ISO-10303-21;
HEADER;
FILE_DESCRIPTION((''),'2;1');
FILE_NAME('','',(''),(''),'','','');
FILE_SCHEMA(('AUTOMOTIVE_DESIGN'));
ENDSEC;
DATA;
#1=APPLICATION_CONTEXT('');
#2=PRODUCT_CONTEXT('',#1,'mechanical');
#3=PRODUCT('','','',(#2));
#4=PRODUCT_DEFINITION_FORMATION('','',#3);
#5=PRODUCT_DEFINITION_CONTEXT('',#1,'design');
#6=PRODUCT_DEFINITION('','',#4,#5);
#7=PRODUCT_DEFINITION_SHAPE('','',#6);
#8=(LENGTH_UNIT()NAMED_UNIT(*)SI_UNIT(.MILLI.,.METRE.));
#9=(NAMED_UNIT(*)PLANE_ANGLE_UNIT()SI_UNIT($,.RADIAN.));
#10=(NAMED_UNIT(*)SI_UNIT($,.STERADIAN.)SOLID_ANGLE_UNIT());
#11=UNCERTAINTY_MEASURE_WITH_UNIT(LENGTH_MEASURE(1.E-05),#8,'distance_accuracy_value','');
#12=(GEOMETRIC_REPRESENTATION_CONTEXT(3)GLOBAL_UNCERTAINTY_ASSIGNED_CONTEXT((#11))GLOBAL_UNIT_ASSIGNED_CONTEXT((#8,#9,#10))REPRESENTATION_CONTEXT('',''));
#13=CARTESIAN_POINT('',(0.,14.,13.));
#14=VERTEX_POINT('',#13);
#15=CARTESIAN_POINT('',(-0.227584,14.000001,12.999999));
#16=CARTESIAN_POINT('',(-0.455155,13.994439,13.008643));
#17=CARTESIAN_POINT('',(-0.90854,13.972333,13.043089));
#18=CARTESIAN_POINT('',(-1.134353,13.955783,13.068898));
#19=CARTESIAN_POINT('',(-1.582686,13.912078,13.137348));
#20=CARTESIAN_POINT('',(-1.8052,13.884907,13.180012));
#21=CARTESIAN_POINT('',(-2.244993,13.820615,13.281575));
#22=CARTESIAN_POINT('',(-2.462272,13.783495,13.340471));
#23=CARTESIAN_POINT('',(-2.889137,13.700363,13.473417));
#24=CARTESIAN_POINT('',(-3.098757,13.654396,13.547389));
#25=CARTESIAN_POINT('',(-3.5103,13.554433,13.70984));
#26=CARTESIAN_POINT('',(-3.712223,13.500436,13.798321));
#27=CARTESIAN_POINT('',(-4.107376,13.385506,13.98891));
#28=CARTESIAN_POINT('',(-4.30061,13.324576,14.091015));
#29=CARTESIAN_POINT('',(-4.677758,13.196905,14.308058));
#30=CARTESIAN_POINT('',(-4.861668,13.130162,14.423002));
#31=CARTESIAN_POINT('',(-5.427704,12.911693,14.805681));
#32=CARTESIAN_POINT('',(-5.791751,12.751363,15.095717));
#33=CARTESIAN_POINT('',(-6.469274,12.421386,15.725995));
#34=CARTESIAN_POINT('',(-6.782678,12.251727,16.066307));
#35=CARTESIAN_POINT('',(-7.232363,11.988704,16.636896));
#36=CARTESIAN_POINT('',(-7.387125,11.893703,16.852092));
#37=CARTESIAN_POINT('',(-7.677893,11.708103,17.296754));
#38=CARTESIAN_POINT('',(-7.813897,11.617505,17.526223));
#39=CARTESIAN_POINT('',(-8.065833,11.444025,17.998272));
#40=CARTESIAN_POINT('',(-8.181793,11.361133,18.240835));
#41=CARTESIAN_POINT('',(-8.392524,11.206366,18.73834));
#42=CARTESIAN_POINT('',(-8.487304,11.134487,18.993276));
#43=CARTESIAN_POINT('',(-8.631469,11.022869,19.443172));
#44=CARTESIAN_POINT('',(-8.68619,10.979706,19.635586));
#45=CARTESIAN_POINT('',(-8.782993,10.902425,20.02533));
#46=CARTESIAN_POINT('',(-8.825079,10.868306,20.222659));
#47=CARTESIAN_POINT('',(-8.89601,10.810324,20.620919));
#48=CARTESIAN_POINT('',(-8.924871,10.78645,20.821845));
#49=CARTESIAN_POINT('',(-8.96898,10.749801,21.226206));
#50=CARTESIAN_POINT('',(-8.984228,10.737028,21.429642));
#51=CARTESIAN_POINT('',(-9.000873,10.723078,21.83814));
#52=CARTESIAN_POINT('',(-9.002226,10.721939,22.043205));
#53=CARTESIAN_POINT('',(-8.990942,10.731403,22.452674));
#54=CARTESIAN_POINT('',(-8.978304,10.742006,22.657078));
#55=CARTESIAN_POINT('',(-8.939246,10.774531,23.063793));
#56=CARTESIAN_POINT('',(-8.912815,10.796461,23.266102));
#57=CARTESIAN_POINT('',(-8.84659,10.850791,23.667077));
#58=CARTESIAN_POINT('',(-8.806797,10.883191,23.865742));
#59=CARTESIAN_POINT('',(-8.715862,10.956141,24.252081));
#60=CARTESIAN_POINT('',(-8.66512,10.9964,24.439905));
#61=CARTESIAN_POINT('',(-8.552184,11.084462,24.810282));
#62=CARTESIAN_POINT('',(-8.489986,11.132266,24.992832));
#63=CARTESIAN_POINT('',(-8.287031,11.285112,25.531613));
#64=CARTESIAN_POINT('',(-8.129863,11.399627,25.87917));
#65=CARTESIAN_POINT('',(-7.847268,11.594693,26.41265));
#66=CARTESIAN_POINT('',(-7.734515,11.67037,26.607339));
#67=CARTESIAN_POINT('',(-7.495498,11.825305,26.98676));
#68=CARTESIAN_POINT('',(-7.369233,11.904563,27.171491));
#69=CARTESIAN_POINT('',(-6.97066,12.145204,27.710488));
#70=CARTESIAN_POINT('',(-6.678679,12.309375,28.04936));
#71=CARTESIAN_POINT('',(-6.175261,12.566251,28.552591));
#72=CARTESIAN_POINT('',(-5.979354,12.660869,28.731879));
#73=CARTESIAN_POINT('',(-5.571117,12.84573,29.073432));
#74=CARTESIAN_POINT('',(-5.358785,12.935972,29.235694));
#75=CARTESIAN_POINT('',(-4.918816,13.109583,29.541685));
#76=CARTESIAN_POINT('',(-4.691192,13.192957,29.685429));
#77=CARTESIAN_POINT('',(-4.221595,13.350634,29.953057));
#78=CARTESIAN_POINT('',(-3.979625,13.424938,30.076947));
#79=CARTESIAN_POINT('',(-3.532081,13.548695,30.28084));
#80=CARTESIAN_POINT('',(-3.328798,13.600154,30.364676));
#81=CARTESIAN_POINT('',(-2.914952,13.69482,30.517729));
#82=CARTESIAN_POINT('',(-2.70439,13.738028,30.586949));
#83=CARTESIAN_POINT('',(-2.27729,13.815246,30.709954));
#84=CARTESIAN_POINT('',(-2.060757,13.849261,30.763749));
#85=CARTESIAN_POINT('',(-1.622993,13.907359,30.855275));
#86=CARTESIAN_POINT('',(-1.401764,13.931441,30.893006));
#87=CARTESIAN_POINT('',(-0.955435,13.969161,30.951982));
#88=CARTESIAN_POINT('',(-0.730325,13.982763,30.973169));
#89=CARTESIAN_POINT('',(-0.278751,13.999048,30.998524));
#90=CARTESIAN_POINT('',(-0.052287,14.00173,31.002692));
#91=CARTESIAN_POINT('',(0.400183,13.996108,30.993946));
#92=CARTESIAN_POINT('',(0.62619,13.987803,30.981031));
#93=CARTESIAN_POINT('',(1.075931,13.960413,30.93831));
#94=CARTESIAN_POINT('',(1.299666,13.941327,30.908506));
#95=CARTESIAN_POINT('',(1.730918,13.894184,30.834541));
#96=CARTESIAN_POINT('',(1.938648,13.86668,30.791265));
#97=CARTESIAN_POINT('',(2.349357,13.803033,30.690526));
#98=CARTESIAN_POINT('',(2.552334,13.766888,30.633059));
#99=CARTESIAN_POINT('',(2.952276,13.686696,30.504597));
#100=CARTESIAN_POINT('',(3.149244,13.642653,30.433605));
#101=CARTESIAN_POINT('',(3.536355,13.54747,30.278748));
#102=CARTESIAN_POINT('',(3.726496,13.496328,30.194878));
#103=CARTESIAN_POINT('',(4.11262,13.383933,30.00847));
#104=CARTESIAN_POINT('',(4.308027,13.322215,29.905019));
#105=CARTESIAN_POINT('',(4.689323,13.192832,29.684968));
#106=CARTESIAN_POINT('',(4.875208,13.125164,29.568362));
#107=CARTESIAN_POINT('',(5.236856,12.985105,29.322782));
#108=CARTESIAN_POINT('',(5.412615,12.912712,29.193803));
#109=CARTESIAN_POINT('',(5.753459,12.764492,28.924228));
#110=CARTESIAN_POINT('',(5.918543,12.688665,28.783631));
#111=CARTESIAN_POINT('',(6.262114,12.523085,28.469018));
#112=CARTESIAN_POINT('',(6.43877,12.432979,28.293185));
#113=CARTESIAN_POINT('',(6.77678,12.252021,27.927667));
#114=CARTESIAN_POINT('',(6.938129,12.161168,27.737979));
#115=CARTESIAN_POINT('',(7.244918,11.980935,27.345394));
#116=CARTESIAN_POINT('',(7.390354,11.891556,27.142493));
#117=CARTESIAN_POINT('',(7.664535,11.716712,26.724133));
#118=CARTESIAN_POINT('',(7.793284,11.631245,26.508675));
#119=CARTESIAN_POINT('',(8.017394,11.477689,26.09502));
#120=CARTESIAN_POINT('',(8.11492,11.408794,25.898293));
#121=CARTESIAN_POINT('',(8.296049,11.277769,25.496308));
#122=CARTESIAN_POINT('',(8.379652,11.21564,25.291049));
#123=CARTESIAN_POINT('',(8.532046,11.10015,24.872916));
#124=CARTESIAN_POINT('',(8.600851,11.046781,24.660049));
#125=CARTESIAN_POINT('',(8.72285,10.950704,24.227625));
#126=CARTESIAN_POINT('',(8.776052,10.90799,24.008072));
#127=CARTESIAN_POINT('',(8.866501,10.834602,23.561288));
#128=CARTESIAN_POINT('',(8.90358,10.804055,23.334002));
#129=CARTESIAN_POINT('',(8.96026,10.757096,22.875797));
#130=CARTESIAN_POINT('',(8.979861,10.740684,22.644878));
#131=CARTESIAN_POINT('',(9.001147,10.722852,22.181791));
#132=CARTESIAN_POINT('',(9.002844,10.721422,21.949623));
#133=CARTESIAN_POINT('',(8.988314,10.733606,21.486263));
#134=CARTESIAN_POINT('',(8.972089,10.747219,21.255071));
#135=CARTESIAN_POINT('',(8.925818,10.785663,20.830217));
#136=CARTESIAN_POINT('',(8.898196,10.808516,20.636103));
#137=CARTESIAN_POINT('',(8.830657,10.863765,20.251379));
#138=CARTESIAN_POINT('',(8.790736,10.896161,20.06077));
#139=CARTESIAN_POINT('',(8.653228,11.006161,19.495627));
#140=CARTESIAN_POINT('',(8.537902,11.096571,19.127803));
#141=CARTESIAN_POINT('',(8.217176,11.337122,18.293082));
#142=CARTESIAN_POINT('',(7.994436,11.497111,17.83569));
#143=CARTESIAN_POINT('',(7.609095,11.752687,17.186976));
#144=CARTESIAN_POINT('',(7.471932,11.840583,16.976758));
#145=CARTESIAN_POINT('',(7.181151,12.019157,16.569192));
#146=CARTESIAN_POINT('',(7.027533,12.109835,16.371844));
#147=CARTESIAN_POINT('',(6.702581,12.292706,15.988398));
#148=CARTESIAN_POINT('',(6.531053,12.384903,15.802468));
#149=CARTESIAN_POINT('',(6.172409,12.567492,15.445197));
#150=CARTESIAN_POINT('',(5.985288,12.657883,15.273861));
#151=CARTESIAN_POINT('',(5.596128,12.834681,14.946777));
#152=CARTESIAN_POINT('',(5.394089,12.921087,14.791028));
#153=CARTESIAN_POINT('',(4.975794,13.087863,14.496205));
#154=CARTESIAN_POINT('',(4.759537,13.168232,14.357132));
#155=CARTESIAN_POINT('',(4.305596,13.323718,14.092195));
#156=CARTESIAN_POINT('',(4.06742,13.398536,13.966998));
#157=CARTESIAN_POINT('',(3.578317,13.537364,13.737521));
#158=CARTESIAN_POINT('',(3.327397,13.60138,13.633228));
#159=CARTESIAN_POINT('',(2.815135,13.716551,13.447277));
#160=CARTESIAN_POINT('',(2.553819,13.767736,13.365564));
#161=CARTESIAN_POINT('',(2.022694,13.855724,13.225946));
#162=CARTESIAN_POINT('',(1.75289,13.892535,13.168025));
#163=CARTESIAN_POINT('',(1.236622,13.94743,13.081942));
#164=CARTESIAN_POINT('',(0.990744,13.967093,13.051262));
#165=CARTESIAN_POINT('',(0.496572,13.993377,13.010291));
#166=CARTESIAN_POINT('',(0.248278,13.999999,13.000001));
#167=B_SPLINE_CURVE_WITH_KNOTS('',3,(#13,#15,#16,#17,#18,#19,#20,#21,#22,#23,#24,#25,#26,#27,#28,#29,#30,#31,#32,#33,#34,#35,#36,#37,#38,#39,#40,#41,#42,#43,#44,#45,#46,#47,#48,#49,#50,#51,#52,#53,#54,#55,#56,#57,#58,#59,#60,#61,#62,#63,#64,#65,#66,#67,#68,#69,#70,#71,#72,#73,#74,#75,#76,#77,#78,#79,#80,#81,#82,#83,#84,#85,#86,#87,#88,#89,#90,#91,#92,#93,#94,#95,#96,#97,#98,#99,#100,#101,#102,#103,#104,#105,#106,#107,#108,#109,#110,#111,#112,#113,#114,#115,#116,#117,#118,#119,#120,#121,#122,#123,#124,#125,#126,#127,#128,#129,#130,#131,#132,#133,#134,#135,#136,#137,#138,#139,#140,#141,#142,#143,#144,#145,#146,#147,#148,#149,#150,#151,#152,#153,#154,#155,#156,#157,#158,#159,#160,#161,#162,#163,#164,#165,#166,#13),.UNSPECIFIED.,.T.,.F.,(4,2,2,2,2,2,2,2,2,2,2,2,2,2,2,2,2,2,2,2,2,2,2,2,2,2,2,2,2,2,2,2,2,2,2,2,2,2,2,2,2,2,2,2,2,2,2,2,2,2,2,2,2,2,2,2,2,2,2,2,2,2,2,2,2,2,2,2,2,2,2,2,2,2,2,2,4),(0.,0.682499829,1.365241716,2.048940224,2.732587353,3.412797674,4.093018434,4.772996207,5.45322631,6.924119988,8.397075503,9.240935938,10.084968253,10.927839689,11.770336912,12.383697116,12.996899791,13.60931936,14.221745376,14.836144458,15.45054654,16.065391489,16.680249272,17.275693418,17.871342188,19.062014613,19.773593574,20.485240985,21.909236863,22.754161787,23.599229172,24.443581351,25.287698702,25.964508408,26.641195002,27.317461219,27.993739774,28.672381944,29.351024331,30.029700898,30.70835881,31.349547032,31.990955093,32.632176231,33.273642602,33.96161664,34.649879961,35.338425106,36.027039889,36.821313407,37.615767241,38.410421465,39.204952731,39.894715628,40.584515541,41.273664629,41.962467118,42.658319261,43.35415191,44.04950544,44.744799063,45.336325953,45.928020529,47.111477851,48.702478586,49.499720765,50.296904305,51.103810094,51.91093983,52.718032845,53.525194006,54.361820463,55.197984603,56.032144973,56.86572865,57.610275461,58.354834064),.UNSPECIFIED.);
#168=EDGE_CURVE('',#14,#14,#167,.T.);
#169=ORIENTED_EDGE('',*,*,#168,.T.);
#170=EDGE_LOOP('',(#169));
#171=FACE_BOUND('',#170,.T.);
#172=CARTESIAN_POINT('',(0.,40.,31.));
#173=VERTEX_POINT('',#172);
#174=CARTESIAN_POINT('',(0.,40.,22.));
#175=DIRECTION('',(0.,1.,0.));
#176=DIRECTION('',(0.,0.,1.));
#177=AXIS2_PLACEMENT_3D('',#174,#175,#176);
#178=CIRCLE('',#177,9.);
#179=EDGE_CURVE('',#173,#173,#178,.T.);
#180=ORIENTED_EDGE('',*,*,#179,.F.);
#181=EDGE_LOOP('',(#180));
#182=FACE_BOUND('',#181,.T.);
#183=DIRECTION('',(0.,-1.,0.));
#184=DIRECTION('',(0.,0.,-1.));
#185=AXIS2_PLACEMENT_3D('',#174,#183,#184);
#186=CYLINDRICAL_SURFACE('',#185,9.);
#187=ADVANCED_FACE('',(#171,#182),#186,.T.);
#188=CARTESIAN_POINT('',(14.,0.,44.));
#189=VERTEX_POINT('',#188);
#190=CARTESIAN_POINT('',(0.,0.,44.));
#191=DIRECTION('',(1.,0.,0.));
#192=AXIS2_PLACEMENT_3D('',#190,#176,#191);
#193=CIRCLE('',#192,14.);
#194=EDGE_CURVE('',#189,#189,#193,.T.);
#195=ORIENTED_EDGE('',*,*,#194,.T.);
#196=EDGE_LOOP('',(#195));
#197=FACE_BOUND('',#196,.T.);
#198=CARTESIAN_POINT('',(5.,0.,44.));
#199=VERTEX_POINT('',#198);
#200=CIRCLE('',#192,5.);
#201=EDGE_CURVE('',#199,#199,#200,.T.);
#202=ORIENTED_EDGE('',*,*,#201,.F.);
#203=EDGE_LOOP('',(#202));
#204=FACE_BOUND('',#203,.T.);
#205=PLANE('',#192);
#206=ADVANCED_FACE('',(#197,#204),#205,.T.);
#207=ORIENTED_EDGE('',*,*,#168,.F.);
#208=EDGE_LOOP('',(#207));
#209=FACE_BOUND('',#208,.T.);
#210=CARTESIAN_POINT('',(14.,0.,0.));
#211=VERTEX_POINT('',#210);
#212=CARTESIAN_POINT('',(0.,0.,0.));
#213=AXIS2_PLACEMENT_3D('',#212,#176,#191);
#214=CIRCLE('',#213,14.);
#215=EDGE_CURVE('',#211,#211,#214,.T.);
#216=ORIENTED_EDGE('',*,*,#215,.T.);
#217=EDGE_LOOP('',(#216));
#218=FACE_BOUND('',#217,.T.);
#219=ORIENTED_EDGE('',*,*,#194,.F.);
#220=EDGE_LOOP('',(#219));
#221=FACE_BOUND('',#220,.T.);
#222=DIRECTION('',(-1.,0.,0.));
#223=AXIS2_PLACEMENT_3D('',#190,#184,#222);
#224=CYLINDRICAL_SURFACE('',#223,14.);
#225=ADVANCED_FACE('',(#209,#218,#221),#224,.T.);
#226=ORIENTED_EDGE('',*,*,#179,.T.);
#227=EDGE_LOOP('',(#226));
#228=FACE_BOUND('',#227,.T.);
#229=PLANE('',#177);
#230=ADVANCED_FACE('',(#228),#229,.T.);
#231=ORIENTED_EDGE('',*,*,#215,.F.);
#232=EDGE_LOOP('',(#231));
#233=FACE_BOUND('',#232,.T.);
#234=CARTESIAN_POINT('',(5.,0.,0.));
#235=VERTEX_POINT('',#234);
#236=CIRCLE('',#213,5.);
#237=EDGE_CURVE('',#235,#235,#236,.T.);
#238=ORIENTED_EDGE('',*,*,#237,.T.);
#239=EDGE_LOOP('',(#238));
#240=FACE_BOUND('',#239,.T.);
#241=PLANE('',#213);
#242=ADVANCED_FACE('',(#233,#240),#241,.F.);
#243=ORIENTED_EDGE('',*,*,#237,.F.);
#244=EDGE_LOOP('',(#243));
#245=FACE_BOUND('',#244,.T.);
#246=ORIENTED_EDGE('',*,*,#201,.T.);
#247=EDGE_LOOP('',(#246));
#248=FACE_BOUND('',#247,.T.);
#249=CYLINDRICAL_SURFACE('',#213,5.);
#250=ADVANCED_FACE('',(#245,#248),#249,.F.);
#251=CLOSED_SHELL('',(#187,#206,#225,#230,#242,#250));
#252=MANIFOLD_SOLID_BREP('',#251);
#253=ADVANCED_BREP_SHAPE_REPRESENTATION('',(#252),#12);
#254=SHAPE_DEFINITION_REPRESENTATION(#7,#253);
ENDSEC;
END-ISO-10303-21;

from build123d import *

# Parameters (mm, degrees)
SKETCH1_R           = 14
BOSS_EXTRUDE1_DEPTH = 44
SKETCH2_R           = 9
BOSS_EXTRUDE2_DEPTH = 40
SKETCH3_R           = 5
CUT_EXTRUDE1_DEPTH  = 62.090097558


with BuildPart() as part:
    # Sketch1 → Boss-Extrude1 (new body)
    with BuildSketch(Plane.XY):
        Circle(SKETCH1_R)
    extrude(amount=BOSS_EXTRUDE1_DEPTH)

    # Sketch2 → Boss-Extrude2 (add)
    with BuildSketch(Plane(origin=(0, 0, 0), x_dir=(1, 0, 0), z_dir=(0, 1, 0))):
        with Locations(Location((0, -22, 0), (0, 0, 90))):
            Circle(SKETCH2_R)
    extrude(amount=BOSS_EXTRUDE2_DEPTH)

    # Sketch3 → Cut-Extrude1 (cut, through all)
    with BuildSketch(Plane.XY.offset(44)):
        Circle(SKETCH3_R)
    extrude(amount=-CUT_EXTRUDE1_DEPTH, mode=Mode.SUBTRACT)


solid = part.part
